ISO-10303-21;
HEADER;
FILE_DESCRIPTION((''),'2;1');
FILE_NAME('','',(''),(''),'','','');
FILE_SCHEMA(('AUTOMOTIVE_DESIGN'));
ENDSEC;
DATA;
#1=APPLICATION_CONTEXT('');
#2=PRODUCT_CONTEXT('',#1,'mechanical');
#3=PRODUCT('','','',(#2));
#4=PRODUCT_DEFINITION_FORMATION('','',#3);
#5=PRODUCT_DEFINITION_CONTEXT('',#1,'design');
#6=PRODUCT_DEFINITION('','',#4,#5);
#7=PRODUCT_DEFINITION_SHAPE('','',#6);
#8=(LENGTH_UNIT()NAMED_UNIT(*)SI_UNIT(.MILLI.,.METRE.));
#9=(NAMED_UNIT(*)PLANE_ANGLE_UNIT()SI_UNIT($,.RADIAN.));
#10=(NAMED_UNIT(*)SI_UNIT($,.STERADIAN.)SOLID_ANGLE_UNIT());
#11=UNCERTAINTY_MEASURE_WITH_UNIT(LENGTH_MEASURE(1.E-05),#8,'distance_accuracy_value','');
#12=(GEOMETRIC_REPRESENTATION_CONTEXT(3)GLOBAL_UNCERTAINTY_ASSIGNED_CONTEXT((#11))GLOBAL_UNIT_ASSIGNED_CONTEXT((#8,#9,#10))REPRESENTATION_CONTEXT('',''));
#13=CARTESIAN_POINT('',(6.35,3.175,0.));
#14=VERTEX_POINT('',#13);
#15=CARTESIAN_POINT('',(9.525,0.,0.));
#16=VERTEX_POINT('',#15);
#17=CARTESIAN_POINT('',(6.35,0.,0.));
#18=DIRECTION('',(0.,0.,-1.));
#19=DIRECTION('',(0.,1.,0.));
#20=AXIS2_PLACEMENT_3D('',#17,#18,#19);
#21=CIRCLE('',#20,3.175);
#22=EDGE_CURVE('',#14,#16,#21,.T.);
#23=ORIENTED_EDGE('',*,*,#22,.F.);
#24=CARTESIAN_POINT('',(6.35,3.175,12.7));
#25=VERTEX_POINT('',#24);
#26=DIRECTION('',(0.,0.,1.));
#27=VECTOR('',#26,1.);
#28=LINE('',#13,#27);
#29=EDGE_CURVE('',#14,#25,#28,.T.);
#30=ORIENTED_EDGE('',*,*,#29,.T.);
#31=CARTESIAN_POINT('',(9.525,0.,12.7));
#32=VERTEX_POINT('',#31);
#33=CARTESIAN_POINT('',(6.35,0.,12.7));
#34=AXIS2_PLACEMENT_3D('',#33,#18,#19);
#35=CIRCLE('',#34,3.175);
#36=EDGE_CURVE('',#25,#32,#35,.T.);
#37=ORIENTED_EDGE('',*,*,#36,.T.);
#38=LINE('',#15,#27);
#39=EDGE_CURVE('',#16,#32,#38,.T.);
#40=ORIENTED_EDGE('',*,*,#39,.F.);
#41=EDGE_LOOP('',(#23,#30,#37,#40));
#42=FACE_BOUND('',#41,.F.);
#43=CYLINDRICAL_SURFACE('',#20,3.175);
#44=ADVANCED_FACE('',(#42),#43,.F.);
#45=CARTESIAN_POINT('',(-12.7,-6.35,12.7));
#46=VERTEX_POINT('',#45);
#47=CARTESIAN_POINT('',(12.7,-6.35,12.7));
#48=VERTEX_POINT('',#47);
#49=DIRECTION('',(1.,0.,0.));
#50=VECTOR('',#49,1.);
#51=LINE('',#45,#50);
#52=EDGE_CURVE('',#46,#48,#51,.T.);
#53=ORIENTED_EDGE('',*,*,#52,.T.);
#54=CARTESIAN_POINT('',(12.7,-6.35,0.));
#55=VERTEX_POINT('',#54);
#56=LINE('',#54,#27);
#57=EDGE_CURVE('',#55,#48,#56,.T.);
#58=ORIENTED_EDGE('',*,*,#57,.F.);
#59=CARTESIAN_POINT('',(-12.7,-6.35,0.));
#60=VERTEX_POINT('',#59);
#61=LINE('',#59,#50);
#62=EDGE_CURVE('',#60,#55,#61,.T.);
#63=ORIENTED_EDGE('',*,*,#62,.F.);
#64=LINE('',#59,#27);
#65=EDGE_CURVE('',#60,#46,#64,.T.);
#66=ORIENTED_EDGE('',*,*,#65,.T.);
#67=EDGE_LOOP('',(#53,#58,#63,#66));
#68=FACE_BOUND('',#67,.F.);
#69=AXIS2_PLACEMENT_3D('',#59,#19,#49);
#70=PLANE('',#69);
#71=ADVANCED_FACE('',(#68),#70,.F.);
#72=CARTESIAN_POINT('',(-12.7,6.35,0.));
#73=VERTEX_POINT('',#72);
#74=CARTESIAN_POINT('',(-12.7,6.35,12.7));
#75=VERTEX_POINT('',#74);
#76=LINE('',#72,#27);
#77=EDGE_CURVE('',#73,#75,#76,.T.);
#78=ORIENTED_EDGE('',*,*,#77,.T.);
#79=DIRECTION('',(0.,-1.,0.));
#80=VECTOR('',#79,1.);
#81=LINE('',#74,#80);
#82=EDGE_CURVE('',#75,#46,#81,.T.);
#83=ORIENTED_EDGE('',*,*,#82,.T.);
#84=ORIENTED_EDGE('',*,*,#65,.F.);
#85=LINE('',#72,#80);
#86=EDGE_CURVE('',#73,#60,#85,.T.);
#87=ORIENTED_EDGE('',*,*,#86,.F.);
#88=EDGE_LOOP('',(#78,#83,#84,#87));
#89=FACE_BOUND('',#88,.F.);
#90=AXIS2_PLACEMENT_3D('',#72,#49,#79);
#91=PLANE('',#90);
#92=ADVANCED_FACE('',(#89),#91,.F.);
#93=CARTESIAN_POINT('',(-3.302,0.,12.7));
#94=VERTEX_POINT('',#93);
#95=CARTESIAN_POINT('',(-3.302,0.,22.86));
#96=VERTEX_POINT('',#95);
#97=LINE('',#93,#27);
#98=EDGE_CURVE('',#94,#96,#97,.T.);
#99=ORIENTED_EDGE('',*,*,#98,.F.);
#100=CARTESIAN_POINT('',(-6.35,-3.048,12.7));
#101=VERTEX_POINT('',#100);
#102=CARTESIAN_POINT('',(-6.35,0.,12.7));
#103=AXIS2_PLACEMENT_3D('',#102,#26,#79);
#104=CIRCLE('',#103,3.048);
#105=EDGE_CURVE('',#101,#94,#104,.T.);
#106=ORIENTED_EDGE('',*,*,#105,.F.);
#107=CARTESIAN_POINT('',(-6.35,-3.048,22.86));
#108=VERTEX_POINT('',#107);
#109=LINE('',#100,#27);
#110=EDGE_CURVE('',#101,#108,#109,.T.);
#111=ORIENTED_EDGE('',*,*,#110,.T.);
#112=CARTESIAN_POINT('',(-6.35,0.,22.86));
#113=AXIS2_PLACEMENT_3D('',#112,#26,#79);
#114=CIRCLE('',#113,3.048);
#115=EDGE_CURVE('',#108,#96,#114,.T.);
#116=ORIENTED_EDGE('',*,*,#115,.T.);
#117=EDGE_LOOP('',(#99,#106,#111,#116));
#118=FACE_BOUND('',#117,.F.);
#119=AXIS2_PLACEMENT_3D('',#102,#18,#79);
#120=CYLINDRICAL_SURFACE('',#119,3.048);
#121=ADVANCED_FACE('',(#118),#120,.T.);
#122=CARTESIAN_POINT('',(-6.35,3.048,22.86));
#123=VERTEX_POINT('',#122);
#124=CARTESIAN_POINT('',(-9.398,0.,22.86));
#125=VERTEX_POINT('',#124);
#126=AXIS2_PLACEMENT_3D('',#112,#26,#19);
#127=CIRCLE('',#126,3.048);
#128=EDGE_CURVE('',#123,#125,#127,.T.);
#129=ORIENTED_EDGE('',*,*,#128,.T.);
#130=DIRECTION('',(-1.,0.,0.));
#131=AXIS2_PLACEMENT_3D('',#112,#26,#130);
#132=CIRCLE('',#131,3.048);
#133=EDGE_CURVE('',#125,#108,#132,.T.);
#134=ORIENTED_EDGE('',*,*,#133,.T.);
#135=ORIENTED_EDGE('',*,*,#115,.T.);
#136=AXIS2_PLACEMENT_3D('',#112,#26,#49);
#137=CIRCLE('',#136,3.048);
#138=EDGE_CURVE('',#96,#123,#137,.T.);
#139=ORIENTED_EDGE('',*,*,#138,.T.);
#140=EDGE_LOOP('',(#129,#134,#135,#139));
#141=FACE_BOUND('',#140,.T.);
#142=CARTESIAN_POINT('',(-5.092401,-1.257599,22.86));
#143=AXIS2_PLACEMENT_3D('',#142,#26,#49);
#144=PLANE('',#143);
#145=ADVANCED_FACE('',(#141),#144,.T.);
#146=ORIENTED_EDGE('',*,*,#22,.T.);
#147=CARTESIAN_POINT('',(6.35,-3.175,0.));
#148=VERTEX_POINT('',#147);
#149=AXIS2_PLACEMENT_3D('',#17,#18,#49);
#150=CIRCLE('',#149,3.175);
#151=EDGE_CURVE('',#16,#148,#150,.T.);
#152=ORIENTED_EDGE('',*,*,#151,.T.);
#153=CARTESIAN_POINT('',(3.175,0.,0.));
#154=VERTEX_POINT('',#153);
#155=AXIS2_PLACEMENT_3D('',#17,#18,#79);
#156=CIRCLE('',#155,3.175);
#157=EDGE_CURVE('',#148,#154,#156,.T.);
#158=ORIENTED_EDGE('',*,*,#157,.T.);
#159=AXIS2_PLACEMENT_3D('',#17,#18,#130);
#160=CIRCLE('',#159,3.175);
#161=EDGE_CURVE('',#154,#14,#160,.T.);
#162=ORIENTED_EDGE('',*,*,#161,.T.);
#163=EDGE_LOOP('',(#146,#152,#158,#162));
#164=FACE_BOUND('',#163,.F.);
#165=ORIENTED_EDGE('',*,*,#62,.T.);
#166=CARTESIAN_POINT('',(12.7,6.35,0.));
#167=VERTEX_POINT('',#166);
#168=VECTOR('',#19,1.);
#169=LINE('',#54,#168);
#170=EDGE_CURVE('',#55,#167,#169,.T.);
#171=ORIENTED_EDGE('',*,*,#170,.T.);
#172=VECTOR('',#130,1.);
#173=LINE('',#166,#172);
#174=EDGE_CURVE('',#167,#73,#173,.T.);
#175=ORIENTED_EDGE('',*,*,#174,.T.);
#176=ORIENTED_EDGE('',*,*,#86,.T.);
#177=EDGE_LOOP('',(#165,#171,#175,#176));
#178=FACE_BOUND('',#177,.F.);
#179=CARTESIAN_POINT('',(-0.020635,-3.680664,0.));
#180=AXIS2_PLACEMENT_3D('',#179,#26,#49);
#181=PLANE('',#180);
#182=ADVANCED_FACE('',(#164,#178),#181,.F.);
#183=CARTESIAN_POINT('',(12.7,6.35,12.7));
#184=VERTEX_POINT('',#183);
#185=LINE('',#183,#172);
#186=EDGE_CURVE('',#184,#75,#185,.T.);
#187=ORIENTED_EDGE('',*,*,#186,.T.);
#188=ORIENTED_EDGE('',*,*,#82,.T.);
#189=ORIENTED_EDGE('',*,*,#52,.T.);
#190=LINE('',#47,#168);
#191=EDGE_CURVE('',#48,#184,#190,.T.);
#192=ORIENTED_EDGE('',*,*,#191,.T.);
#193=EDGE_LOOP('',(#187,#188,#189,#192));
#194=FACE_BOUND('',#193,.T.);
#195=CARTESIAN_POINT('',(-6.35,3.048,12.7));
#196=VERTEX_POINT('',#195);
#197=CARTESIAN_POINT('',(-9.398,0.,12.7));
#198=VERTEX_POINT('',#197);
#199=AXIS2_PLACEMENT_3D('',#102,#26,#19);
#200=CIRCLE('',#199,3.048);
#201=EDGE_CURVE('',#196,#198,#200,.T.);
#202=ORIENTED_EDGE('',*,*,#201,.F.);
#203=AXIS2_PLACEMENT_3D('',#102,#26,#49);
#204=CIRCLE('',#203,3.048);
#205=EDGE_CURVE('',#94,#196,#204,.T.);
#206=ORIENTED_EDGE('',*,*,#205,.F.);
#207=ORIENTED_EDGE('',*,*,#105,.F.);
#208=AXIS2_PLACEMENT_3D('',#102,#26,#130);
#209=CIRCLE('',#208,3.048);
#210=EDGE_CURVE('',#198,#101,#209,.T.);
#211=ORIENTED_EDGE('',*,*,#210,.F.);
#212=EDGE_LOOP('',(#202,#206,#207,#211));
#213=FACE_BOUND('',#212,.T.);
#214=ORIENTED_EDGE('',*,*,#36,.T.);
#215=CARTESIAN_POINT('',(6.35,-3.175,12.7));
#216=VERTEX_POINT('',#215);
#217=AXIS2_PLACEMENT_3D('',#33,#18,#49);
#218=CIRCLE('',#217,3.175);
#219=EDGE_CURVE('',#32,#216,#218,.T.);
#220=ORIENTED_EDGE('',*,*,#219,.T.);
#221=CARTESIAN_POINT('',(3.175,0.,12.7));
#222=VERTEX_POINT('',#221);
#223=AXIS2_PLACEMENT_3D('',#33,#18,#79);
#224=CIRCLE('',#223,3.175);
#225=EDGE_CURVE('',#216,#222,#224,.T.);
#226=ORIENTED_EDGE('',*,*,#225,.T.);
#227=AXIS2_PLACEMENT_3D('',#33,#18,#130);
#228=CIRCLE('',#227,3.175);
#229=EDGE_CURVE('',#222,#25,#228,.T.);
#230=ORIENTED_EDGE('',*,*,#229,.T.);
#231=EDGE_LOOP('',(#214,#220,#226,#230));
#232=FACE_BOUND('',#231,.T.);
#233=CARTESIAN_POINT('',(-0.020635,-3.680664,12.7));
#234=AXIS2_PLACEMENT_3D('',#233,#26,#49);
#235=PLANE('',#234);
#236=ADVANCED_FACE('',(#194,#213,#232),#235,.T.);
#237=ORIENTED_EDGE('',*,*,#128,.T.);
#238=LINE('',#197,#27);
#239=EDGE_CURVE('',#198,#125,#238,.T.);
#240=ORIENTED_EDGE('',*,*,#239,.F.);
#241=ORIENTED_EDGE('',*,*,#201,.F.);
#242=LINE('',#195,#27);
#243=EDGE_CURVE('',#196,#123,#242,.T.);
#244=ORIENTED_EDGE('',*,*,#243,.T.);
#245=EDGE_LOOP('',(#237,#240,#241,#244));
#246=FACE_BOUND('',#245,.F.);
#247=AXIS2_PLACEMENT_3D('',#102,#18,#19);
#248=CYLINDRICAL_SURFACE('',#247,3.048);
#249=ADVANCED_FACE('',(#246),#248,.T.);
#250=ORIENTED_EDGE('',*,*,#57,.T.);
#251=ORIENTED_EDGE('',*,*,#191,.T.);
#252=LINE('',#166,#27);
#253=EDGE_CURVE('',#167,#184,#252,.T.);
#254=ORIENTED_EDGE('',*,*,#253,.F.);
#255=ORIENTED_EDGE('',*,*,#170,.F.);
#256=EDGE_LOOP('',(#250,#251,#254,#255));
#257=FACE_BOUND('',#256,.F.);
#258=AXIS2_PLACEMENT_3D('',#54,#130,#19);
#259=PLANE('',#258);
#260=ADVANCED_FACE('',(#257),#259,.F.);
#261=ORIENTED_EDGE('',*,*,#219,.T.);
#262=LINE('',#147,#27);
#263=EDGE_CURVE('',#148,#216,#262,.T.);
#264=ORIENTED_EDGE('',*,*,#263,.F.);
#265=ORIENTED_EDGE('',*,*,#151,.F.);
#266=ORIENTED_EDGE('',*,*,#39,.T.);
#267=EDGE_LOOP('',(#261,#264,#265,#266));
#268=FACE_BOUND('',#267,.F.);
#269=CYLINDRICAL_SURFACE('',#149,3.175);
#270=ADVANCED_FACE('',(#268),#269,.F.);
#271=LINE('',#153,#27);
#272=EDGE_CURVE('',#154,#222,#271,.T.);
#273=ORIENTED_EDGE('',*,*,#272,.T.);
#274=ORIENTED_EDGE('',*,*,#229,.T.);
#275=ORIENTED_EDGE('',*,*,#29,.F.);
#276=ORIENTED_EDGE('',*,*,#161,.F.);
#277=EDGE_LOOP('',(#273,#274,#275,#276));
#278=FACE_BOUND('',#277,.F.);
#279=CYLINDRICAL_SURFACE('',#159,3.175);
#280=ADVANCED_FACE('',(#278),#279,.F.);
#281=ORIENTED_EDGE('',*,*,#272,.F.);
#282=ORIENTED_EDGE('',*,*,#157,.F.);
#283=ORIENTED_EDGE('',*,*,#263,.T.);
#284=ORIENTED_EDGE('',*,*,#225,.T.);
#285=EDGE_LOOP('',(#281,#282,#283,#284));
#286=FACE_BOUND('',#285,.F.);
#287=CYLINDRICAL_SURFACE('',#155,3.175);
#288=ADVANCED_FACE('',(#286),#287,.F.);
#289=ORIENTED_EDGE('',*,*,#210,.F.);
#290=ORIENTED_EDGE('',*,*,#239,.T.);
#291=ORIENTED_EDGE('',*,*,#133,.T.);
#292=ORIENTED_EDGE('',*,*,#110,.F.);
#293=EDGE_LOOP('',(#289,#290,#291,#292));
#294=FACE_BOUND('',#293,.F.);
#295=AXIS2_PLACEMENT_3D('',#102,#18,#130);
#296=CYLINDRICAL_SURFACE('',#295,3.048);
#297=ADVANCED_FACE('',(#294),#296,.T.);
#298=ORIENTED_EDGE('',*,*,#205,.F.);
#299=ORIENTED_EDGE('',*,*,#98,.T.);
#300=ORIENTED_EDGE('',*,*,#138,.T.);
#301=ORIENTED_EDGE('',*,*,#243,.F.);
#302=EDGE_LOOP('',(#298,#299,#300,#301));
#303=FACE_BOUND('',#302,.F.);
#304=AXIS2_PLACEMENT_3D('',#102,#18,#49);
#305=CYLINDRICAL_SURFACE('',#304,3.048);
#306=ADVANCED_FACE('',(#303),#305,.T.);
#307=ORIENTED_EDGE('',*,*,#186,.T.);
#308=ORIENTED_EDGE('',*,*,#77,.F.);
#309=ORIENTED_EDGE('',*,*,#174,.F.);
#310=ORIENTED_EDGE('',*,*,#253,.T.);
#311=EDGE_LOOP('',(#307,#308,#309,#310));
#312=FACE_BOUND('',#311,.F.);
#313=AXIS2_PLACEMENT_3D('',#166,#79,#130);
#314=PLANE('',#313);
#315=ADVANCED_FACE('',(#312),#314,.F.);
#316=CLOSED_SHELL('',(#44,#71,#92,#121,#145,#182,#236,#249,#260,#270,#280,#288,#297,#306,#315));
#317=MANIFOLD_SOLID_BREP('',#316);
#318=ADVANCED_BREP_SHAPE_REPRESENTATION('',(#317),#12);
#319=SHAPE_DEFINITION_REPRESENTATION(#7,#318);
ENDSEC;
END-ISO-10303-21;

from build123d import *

# Parameters (mm, degrees)
F1_DEPTH = 12.7
F3_DEPTH = 10.16


with BuildPart() as f1:
    # F0 (on Top) → F1 (new body)
    with BuildSketch(Plane.XY):
        with BuildLine():
            Line((-6.35, -6.35), (6.35, -6.35))
            Line((6.35, -6.35), (6.35, -3.175))
            ThreePointArc((6.35, -3.175), (4.1049359697, -2.2450640303), (3.175, 0))
            Line((3.175, 0), (-3.302, 0))
            ThreePointArc((-3.302, 0), (-4.1947385309, -2.1552614691), (-6.35, -3.048))
            Line((-6.35, -3.048), (-6.35, -6.35))
        make_face()
        with BuildLine():
            Line((-3.302, 0), (3.175, 0))
            ThreePointArc((3.175, 0), (4.1049359697, 2.2450640303), (6.35, 3.175))
            Line((6.35, 3.175), (6.35, 6.35))
            Line((6.35, 6.35), (-6.35, 6.35))
            Line((-6.35, 6.35), (-6.35, 3.048))
            ThreePointArc((-6.35, 3.048), (-4.1947385309, 2.1552614691), (-3.302, 0))
        make_face()
        with BuildLine():
            Line((9.525, 0), (12.7, 0))
            Line((12.7, 0), (12.7, 6.35))
            Line((12.7, 6.35), (6.35, 6.35))
            Line((6.35, 6.35), (6.35, 3.175))
            ThreePointArc((6.35, 3.175), (8.5950640303, 2.2450640303), (9.525, 0))
        make_face()
        with BuildLine():
            Line((6.35, -6.35), (12.7, -6.35))
            Line((12.7, -6.35), (12.7, 0))
            Line((12.7, 0), (9.525, 0))
            ThreePointArc((9.525, 0), (8.5950640303, -2.2450640303), (6.35, -3.175))
            Line((6.35, -3.175), (6.35, -6.35))
        make_face()
        with BuildLine():
            Line((-12.7, -6.35), (-6.35, -6.35))
            Line((-6.35, -6.35), (-6.35, -3.048))
            ThreePointArc((-6.35, -3.048), (-8.5052614691, -2.1552614691), (-9.398, 0))
            Line((-9.398, 0), (-12.7, 0))
            Line((-12.7, 0), (-12.7, -6.35))
        make_face()
        with BuildLine():
            Line((-12.7, 6.35), (-12.7, 0))
            Line((-12.7, 0), (-9.398, 0))
            ThreePointArc((-9.398, 0), (-8.5052614691, 2.1552614691), (-6.35, 3.048))
            Line((-6.35, 3.048), (-6.35, 6.35))
            Line((-6.35, 6.35), (-12.7, 6.35))
        make_face()
        with BuildLine():
            Line((-6.35, 3.048), (-6.35, 0))
            Line((-6.35, 0), (-3.302, 0))
            ThreePointArc((-3.302, 0), (-4.1947385309, 2.1552614691), (-6.35, 3.048))
        make_face()
        with BuildLine():
            Line((-9.398, 0), (-6.35, 0))
            Line((-6.35, 0), (-6.35, 3.048))
            ThreePointArc((-6.35, 3.048), (-8.5052614691, 2.1552614691), (-9.398, 0))
        make_face()
        with BuildLine():
            ThreePointArc((-9.398, 0), (-8.5052614691, -2.1552614691), (-6.35, -3.048))
            Line((-6.35, -3.048), (-6.35, 0))
            Line((-6.35, 0), (-9.398, 0))
        make_face()
        with BuildLine():
            Line((-6.35, 0), (-6.35, -3.048))
            ThreePointArc((-6.35, -3.048), (-4.1947385309, -2.1552614691), (-3.302, 0))
            Line((-3.302, 0), (-6.35, 0))
        make_face()
    extrude(amount=F1_DEPTH)

    # F2 (on face) → F3 (join)
    with BuildSketch(Plane.XY.offset(12.7)):
        with BuildLine():
            Line((-6.35, 0), (-6.35, -3.048))
            ThreePointArc((-6.35, -3.048), (-4.1947385309, -2.1552614691), (-3.302, 0))
            Line((-3.302, 0), (-6.35, 0))
        make_face()
        with BuildLine():
            Line((-6.35, 3.048), (-6.35, 0))
            Line((-6.35, 0), (-3.302, 0))
            ThreePointArc((-3.302, 0), (-4.1947385309, 2.1552614691), (-6.35, 3.048))
        make_face()
        with BuildLine():
            ThreePointArc((-9.398, 0), (-8.5052614691, -2.1552614691), (-6.35, -3.048))
            Line((-6.35, -3.048), (-6.35, 0))
            Line((-6.35, 0), (-9.398, 0))
        make_face()
        with BuildLine():
            Line((-9.398, 0), (-6.35, 0))
            Line((-6.35, 0), (-6.35, 3.048))
            ThreePointArc((-6.35, 3.048), (-8.5052614691, 2.1552614691), (-9.398, 0))
        make_face()
    extrude(amount=F3_DEPTH)


solid = f1.part
